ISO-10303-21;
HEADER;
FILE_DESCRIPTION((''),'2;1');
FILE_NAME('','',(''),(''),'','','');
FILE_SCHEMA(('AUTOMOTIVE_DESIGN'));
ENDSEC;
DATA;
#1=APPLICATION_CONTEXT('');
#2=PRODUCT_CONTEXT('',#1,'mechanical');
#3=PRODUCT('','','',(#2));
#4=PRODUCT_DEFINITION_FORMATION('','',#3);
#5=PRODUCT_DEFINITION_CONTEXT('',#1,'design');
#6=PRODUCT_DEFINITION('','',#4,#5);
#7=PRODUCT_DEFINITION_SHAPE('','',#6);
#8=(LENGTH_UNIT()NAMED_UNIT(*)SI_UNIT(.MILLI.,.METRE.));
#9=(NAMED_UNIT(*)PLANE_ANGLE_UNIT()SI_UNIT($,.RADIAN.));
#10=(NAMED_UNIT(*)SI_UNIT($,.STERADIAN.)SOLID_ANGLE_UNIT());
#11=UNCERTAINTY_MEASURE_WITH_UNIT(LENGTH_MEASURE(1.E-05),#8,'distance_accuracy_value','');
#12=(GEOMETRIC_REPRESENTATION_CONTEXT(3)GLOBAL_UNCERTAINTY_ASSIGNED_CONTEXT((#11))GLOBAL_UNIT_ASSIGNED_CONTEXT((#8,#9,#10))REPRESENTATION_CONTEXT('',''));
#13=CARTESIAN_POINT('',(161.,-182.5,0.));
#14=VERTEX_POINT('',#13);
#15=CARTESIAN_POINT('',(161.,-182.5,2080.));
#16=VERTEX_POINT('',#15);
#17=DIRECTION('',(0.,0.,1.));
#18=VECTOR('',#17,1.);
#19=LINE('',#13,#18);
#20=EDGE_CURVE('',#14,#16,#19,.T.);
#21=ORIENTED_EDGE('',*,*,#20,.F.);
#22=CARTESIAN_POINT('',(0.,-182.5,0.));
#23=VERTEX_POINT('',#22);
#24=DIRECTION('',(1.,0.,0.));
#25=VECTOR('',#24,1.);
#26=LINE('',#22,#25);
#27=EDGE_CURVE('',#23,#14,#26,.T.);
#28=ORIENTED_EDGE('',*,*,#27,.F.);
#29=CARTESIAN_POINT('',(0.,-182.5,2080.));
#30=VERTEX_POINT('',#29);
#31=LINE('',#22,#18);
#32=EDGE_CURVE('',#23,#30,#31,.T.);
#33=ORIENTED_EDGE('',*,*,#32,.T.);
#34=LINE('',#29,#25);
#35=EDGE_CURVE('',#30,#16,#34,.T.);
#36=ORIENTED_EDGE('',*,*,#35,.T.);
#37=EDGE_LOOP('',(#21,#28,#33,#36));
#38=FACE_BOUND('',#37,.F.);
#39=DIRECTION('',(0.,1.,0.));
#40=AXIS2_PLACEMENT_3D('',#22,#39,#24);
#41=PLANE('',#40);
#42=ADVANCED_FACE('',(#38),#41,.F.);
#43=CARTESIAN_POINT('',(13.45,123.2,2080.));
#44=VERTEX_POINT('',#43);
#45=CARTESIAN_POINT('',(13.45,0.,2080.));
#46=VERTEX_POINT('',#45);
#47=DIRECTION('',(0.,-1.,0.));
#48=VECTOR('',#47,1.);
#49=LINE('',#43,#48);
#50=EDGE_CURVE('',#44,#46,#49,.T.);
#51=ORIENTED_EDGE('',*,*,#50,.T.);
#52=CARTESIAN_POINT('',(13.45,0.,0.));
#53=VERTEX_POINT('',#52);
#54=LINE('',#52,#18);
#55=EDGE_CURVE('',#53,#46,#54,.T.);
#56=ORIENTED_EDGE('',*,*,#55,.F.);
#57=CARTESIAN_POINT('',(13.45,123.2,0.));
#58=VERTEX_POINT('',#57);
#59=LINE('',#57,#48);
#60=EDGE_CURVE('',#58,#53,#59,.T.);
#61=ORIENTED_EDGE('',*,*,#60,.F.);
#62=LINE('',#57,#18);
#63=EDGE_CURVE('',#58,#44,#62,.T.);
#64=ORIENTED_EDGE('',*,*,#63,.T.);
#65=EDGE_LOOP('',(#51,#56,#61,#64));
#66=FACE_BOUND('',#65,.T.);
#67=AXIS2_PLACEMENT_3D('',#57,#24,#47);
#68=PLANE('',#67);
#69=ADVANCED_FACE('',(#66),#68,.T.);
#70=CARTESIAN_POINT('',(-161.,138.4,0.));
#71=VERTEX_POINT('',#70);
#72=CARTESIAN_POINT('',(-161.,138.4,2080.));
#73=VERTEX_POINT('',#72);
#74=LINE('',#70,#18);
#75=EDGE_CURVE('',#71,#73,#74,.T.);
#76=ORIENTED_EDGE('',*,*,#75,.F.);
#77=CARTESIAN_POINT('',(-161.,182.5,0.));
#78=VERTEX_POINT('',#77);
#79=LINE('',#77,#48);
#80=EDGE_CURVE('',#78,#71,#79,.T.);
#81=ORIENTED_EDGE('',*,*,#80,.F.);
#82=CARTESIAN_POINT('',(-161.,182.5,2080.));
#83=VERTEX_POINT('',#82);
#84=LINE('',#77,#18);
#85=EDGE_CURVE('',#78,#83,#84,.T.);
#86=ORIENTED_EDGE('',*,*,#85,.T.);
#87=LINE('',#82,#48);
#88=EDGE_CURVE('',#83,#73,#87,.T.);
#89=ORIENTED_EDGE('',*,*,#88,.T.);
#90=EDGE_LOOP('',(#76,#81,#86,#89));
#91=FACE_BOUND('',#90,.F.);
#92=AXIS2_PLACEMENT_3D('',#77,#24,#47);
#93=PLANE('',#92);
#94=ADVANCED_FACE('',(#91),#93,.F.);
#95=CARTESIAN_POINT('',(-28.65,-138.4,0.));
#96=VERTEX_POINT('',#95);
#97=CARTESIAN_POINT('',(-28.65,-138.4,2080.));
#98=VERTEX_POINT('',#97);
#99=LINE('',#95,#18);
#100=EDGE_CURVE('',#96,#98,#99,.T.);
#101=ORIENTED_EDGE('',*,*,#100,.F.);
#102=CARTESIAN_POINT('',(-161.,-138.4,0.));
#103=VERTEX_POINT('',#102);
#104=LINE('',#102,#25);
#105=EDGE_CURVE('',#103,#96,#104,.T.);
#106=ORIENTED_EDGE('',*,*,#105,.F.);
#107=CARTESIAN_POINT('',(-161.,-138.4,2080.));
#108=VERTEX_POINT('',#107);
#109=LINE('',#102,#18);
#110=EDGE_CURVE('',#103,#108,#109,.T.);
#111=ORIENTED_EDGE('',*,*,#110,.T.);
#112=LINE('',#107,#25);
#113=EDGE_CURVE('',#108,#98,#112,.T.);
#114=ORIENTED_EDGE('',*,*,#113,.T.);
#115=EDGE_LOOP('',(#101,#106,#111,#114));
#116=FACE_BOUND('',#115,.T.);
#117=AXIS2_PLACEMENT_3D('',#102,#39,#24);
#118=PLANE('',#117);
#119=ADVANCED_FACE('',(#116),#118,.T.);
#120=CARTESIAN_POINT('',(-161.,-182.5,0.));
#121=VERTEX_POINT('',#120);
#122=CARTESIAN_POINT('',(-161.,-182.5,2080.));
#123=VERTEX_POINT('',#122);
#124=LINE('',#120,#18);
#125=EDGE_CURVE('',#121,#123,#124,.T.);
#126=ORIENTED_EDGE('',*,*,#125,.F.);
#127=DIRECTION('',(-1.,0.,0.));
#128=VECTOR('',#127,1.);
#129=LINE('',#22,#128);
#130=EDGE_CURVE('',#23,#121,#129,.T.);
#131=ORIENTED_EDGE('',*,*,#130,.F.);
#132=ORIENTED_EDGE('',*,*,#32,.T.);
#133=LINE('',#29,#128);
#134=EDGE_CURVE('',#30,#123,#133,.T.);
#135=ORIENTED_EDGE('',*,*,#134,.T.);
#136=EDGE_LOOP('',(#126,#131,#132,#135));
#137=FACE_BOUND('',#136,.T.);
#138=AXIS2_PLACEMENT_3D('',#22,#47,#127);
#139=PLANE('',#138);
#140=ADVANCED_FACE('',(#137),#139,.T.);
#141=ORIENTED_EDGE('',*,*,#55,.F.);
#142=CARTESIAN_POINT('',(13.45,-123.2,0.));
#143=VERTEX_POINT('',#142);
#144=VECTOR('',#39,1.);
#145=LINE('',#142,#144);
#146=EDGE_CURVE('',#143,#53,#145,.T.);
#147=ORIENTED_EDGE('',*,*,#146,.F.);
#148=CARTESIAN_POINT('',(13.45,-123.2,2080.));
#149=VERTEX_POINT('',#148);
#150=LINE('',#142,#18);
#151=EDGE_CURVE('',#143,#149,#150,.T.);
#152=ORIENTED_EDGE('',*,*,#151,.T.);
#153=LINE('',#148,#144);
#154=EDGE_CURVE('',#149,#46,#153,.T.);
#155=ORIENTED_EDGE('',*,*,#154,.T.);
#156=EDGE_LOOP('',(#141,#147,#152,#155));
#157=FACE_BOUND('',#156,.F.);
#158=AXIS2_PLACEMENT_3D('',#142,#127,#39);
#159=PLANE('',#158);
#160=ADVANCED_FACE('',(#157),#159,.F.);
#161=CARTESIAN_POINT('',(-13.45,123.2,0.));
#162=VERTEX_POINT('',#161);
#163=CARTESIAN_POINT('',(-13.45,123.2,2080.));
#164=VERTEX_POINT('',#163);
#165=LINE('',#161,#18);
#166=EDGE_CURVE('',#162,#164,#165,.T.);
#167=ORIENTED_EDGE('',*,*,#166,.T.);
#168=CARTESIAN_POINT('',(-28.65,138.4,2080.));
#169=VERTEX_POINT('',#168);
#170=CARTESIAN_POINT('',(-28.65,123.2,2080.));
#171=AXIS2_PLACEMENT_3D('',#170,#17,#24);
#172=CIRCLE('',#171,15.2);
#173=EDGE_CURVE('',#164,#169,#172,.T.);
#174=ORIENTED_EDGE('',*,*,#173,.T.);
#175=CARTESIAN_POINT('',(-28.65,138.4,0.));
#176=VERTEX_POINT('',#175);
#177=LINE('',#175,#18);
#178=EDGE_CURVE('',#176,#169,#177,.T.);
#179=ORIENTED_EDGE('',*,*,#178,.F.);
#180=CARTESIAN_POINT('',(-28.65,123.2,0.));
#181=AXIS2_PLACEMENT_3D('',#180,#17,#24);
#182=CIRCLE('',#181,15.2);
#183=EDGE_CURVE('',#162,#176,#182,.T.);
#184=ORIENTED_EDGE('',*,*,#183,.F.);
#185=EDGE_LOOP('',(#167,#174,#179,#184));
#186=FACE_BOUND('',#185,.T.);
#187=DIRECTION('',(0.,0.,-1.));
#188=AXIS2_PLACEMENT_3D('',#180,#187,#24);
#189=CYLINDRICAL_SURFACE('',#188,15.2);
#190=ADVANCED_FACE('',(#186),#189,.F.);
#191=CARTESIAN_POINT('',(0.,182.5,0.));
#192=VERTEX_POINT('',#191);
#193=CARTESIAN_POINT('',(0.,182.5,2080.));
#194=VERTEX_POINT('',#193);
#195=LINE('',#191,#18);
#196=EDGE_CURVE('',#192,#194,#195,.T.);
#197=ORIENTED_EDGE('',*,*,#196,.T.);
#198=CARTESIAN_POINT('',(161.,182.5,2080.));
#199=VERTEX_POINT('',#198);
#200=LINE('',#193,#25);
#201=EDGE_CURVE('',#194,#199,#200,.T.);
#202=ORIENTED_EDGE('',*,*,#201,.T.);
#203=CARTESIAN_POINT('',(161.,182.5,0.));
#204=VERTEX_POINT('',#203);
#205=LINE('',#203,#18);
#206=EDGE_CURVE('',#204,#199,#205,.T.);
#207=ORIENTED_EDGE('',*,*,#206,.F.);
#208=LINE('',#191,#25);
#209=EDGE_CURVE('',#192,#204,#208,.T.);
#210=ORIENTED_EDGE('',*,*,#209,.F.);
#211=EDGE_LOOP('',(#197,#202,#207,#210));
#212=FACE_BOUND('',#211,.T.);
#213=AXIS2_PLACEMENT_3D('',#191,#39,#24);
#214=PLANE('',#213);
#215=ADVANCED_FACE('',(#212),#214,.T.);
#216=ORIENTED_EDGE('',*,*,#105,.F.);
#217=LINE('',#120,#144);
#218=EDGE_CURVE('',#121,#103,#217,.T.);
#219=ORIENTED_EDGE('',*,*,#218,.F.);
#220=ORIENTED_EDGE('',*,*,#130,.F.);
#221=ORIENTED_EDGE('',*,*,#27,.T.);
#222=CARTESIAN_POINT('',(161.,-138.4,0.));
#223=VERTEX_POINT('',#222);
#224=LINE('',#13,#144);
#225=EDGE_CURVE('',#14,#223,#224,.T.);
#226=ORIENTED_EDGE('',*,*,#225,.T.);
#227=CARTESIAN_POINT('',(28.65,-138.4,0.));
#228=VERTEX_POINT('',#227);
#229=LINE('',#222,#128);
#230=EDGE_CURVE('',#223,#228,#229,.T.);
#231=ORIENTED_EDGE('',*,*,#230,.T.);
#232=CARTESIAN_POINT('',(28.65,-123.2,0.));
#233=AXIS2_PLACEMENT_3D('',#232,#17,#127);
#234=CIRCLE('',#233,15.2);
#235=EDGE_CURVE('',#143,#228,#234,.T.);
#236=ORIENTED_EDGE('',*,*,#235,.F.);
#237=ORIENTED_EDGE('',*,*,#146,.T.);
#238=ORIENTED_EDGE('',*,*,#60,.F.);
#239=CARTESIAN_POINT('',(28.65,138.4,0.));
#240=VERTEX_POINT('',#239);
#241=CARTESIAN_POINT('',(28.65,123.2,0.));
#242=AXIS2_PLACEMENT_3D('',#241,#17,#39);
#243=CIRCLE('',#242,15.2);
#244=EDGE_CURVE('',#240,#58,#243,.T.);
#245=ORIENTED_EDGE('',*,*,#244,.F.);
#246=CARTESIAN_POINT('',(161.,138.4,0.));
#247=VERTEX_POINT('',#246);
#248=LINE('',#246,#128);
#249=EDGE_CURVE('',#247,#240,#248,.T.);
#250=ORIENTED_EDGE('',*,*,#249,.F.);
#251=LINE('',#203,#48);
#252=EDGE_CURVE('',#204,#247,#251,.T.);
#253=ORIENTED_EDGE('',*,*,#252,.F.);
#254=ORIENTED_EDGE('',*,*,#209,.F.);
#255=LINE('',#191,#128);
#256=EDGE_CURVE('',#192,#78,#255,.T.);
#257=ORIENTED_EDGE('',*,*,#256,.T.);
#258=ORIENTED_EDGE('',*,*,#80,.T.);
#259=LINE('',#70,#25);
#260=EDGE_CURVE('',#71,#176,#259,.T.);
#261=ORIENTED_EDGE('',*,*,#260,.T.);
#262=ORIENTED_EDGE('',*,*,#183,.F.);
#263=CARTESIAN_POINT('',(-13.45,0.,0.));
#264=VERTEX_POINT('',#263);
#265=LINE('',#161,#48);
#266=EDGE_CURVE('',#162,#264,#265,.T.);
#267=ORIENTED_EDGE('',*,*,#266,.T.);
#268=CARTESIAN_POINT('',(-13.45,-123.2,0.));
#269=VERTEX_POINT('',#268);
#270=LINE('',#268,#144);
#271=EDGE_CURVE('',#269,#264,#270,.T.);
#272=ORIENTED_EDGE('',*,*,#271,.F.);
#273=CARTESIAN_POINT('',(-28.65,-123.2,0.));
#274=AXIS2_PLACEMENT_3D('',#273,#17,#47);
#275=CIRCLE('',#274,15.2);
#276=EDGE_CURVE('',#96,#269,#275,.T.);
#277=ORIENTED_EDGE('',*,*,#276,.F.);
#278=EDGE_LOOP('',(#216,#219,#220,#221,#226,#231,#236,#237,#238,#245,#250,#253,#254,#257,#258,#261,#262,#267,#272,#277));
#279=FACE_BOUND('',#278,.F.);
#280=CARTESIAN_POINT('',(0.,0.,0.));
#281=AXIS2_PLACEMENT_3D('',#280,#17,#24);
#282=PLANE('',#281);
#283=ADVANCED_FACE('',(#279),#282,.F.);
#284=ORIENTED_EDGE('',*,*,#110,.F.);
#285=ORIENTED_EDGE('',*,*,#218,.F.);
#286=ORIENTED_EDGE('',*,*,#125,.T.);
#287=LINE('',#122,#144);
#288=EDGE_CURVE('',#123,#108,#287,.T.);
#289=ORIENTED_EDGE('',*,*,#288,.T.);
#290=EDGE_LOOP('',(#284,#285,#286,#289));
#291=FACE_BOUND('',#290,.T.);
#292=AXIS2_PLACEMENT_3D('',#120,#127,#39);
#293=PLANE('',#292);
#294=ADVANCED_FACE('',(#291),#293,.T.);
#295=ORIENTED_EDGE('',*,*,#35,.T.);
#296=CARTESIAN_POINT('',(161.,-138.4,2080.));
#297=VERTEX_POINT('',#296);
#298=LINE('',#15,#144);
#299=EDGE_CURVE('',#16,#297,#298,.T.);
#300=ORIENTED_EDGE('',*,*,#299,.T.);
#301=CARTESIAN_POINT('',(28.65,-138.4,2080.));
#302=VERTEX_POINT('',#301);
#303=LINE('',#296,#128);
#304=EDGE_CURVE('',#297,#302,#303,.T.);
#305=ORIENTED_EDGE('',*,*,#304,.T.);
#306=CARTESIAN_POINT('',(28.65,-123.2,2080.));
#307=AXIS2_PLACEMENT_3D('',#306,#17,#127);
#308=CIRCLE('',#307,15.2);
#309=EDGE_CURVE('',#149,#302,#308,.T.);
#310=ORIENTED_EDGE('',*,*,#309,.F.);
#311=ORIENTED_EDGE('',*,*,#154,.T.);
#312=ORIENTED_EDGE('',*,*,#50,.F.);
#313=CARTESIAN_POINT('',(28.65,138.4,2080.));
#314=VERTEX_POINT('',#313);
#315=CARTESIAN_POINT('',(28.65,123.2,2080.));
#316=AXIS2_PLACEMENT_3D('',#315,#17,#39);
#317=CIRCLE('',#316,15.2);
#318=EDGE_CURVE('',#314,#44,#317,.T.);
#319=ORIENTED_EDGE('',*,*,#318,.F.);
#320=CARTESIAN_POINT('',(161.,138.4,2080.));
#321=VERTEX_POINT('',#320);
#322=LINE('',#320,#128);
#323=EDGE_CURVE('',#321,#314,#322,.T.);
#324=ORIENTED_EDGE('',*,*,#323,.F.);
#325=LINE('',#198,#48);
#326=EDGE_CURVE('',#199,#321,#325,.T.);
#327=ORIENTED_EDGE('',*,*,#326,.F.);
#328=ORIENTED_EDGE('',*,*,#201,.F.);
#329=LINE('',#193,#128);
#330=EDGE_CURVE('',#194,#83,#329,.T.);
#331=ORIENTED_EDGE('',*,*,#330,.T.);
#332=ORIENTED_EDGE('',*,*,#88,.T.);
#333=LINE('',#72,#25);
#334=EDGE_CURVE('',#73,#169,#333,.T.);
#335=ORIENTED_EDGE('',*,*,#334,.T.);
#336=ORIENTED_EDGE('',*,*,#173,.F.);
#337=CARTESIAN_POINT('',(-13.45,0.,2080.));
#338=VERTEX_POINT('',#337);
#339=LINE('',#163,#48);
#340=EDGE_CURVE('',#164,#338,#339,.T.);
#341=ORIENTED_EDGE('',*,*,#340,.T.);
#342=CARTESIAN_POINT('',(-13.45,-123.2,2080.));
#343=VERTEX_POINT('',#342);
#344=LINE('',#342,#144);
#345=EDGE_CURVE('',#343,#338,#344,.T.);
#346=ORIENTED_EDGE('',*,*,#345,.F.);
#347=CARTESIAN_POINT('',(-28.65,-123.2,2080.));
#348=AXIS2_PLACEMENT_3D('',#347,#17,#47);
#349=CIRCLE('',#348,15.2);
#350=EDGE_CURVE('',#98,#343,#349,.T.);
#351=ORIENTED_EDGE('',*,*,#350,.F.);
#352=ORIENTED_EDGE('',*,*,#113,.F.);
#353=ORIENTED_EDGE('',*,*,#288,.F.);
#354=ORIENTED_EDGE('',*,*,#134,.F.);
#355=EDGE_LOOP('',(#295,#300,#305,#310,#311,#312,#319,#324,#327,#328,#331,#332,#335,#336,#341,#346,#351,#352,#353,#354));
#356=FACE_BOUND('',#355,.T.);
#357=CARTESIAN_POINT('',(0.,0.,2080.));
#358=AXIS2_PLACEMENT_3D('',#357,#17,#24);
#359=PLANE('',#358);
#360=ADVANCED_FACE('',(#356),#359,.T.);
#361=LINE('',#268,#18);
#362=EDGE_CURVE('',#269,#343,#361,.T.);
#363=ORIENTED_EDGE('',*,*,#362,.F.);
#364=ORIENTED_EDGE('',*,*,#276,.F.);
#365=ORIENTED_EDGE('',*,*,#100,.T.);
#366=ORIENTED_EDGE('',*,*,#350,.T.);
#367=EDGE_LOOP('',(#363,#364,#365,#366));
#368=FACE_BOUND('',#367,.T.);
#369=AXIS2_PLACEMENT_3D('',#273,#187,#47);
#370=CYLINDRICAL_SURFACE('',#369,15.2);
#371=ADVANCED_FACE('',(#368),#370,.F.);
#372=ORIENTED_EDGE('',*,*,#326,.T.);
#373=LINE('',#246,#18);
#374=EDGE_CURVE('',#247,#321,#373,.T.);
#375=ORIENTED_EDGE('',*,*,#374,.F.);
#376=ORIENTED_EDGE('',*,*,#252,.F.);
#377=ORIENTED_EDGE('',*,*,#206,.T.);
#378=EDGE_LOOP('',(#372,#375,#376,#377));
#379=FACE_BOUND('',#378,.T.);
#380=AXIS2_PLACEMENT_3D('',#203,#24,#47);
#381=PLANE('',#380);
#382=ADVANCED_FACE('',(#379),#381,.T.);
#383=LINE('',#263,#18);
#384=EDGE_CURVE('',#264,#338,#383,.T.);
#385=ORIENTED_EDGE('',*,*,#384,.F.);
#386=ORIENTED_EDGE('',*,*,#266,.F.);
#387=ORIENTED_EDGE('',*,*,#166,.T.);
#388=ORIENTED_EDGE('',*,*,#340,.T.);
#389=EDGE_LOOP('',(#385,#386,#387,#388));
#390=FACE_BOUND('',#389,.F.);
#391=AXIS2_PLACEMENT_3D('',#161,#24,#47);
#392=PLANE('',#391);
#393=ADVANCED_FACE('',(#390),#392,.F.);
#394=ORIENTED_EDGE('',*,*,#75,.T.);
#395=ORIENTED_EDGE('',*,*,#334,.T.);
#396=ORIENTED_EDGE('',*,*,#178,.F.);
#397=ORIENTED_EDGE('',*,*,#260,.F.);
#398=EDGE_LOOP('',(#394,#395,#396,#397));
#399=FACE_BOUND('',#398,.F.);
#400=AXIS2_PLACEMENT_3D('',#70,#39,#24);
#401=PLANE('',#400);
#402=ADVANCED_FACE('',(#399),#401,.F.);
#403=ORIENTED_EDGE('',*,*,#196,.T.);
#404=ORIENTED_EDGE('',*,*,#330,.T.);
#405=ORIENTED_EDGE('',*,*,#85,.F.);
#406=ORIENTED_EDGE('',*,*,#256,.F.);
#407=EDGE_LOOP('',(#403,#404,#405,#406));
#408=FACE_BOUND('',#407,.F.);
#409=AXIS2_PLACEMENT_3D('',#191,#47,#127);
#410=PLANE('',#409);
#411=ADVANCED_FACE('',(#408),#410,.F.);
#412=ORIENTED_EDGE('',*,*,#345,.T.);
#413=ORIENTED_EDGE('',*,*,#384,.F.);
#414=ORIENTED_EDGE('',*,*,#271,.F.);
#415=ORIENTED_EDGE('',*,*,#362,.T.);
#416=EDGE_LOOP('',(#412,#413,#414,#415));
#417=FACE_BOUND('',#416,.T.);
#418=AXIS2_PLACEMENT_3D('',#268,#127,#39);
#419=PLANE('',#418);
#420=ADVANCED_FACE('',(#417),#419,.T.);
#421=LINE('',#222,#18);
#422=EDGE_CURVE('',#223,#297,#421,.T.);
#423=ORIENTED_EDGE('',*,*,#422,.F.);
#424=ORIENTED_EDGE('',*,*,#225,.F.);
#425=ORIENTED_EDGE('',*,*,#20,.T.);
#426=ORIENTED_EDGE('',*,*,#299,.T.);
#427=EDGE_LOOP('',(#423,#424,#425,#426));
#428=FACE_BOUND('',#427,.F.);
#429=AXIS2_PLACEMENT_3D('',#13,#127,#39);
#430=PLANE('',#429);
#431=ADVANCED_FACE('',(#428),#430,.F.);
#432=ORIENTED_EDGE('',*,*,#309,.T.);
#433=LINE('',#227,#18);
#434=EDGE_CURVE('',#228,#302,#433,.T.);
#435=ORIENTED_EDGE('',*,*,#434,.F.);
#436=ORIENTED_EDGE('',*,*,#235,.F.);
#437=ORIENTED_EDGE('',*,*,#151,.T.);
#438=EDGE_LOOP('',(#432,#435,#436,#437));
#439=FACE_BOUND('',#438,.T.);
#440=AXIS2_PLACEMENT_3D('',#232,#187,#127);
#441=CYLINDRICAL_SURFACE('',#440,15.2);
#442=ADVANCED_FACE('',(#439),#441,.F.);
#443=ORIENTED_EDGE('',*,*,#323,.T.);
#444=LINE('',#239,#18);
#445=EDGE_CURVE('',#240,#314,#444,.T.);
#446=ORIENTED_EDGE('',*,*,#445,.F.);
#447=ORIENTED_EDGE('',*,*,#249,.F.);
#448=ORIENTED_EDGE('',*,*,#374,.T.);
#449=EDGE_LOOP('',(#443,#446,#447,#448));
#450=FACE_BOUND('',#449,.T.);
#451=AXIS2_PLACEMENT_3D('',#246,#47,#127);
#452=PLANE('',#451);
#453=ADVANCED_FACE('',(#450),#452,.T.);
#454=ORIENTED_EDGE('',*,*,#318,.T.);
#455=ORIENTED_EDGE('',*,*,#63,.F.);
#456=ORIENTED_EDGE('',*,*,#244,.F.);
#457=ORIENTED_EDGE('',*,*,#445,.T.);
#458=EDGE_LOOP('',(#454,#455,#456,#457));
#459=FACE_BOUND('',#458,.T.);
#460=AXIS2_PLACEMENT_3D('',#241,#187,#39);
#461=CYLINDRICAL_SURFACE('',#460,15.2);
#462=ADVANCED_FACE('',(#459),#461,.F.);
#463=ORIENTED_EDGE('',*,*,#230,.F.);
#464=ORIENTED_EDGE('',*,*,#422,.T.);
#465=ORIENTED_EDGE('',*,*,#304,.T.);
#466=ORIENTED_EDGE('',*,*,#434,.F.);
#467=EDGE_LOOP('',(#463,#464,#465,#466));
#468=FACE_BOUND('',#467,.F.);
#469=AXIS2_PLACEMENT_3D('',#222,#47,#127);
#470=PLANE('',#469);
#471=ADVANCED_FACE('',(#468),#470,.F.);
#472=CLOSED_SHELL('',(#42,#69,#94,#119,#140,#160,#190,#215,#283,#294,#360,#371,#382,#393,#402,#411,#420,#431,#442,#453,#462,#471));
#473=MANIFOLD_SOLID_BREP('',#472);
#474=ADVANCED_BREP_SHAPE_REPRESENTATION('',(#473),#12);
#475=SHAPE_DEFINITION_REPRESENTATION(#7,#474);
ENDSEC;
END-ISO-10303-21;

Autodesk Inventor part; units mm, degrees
ref_plane "YZ Plane" through (0, 0, 0) normal (1, 0, 0) x (0, 1, 0)
ref_plane "Start plane" through (0, 0, 0) normal (0, 0, 1) x (1, 0, 0)
ref_plane "End plane" through (0, 0, 2080) normal (0, 0, 1) x (1, 0, 0)
sketch "Sketch" plane through (0, 0, 0) normal (0, 0, 1) x (1, 0, 0)
  line L0 (-161, -182.5) -> (-161, -138.4)
  line L1 (-161, -138.4) -> (-28.65, -138.4)
  line L2 (-13.45, -123.2) -> (-13.45, 0)
  line L3 (-13.45, 0) -> (0, 0) construction
  line L4 (0, 0) -> (0, -182.5) construction
  line L5 (0, -182.5) -> (-161, -182.5)
  line L6 (-60, 0) -> (80, 0) construction
  line L7 (0, -60) -> (0, 80) construction
  line L8 (161, -182.5) -> (161, -138.4)
  line L9 (161, -138.4) -> (28.65, -138.4)
  line L10 (13.45, -123.2) -> (13.45, 0)
  line L11 (13.45, 0) -> (0, 0) construction
  line L12 (0, -182.5) -> (161, -182.5)
  line L13 (-161, 182.5) -> (-161, 138.4)
  line L14 (-161, 138.4) -> (-28.65, 138.4)
  line L15 (-13.45, 123.2) -> (-13.45, 0)
  line L16 (0, 182.5) -> (-161, 182.5)
  line L17 (161, 182.5) -> (161, 138.4)
  line L18 (161, 138.4) -> (28.65, 138.4)
  line L19 (0, 182.5) -> (161, 182.5)
  line L20 (13.45, 123.2) -> (13.45, 0)
  arc A0 (-13.45, 123.2) -> (-28.65, 138.4) centre (-28.65, 123.2) ccw
  arc A1 (28.65, 138.4) -> (13.45, 123.2) centre (28.65, 123.2) ccw
  arc A2 (13.45, -123.2) -> (28.65, -138.4) centre (28.65, -123.2) ccw
  arc A3 (-28.65, -138.4) -> (-13.45, -123.2) centre (-28.65, -123.2) ccw
  line L21 (0, 108) -> (0, -88) construction
  line L22 (-88, 0) -> (108, 0) construction
  point P0 (-13.45, -138.4)
  point P1 (13.45, -138.4)
  point P2 (-13.45, 138.4)
  point P3 (13.45, 138.4)
  dimension "d1" = 182.5
  dimension "d2" = 44.1
  dimension "d3" = 161
  dimension "d4" = 13.45
  dimension "d10" = 15.2
extrude "Body" add sketch "Sketch" along normal up to surface (2080 mm away) from surface at 0
sketch "Sketch4" plane through (0, 0, 0) normal (0, 0, 1) x (1, 0, 0)
  line L0 (0, 0) -> (10, 0)
ref_plane "Work Plane3" through (0, 0, 0) normal (0, -1, 0) x (1, 0, 0)
sketch "Sketch5" plane through (0, 0, 0) normal (0, -1, 0) x (1, 0, 0)
  line L0 (-2, 0) -> (12, 0) projected
  line L1 (-2, 2080) -> (12, 2080) projected
  dimension "d14" = 2080
equation "\"d1\" = 0.5 * G_H"
equation "\"d2\" = G_T1"
equation "\"d3\" = 0.5 * G_W"
equation "\"d4\" = 0.5 * G_T"
equation "\"d10\" = G_IR"
equation "\"d5\" = G_L"
equation "\"G_W\" = 322"
equation "\"G_H\" = 365"
equation "\"G_T\" = 26.9"
equation "\"G_T1\" = 44.1"
equation "\"G_IR\" = 15.2"
equation "\"G_L\" = d14"
equation "\"G_OFFSET_START\" = 0"
equation "\"G_OFFSET_END\" = 0"
properties part number "AS 3679 - 310 UC - 283 - 2080" material "Steel, Mild"
